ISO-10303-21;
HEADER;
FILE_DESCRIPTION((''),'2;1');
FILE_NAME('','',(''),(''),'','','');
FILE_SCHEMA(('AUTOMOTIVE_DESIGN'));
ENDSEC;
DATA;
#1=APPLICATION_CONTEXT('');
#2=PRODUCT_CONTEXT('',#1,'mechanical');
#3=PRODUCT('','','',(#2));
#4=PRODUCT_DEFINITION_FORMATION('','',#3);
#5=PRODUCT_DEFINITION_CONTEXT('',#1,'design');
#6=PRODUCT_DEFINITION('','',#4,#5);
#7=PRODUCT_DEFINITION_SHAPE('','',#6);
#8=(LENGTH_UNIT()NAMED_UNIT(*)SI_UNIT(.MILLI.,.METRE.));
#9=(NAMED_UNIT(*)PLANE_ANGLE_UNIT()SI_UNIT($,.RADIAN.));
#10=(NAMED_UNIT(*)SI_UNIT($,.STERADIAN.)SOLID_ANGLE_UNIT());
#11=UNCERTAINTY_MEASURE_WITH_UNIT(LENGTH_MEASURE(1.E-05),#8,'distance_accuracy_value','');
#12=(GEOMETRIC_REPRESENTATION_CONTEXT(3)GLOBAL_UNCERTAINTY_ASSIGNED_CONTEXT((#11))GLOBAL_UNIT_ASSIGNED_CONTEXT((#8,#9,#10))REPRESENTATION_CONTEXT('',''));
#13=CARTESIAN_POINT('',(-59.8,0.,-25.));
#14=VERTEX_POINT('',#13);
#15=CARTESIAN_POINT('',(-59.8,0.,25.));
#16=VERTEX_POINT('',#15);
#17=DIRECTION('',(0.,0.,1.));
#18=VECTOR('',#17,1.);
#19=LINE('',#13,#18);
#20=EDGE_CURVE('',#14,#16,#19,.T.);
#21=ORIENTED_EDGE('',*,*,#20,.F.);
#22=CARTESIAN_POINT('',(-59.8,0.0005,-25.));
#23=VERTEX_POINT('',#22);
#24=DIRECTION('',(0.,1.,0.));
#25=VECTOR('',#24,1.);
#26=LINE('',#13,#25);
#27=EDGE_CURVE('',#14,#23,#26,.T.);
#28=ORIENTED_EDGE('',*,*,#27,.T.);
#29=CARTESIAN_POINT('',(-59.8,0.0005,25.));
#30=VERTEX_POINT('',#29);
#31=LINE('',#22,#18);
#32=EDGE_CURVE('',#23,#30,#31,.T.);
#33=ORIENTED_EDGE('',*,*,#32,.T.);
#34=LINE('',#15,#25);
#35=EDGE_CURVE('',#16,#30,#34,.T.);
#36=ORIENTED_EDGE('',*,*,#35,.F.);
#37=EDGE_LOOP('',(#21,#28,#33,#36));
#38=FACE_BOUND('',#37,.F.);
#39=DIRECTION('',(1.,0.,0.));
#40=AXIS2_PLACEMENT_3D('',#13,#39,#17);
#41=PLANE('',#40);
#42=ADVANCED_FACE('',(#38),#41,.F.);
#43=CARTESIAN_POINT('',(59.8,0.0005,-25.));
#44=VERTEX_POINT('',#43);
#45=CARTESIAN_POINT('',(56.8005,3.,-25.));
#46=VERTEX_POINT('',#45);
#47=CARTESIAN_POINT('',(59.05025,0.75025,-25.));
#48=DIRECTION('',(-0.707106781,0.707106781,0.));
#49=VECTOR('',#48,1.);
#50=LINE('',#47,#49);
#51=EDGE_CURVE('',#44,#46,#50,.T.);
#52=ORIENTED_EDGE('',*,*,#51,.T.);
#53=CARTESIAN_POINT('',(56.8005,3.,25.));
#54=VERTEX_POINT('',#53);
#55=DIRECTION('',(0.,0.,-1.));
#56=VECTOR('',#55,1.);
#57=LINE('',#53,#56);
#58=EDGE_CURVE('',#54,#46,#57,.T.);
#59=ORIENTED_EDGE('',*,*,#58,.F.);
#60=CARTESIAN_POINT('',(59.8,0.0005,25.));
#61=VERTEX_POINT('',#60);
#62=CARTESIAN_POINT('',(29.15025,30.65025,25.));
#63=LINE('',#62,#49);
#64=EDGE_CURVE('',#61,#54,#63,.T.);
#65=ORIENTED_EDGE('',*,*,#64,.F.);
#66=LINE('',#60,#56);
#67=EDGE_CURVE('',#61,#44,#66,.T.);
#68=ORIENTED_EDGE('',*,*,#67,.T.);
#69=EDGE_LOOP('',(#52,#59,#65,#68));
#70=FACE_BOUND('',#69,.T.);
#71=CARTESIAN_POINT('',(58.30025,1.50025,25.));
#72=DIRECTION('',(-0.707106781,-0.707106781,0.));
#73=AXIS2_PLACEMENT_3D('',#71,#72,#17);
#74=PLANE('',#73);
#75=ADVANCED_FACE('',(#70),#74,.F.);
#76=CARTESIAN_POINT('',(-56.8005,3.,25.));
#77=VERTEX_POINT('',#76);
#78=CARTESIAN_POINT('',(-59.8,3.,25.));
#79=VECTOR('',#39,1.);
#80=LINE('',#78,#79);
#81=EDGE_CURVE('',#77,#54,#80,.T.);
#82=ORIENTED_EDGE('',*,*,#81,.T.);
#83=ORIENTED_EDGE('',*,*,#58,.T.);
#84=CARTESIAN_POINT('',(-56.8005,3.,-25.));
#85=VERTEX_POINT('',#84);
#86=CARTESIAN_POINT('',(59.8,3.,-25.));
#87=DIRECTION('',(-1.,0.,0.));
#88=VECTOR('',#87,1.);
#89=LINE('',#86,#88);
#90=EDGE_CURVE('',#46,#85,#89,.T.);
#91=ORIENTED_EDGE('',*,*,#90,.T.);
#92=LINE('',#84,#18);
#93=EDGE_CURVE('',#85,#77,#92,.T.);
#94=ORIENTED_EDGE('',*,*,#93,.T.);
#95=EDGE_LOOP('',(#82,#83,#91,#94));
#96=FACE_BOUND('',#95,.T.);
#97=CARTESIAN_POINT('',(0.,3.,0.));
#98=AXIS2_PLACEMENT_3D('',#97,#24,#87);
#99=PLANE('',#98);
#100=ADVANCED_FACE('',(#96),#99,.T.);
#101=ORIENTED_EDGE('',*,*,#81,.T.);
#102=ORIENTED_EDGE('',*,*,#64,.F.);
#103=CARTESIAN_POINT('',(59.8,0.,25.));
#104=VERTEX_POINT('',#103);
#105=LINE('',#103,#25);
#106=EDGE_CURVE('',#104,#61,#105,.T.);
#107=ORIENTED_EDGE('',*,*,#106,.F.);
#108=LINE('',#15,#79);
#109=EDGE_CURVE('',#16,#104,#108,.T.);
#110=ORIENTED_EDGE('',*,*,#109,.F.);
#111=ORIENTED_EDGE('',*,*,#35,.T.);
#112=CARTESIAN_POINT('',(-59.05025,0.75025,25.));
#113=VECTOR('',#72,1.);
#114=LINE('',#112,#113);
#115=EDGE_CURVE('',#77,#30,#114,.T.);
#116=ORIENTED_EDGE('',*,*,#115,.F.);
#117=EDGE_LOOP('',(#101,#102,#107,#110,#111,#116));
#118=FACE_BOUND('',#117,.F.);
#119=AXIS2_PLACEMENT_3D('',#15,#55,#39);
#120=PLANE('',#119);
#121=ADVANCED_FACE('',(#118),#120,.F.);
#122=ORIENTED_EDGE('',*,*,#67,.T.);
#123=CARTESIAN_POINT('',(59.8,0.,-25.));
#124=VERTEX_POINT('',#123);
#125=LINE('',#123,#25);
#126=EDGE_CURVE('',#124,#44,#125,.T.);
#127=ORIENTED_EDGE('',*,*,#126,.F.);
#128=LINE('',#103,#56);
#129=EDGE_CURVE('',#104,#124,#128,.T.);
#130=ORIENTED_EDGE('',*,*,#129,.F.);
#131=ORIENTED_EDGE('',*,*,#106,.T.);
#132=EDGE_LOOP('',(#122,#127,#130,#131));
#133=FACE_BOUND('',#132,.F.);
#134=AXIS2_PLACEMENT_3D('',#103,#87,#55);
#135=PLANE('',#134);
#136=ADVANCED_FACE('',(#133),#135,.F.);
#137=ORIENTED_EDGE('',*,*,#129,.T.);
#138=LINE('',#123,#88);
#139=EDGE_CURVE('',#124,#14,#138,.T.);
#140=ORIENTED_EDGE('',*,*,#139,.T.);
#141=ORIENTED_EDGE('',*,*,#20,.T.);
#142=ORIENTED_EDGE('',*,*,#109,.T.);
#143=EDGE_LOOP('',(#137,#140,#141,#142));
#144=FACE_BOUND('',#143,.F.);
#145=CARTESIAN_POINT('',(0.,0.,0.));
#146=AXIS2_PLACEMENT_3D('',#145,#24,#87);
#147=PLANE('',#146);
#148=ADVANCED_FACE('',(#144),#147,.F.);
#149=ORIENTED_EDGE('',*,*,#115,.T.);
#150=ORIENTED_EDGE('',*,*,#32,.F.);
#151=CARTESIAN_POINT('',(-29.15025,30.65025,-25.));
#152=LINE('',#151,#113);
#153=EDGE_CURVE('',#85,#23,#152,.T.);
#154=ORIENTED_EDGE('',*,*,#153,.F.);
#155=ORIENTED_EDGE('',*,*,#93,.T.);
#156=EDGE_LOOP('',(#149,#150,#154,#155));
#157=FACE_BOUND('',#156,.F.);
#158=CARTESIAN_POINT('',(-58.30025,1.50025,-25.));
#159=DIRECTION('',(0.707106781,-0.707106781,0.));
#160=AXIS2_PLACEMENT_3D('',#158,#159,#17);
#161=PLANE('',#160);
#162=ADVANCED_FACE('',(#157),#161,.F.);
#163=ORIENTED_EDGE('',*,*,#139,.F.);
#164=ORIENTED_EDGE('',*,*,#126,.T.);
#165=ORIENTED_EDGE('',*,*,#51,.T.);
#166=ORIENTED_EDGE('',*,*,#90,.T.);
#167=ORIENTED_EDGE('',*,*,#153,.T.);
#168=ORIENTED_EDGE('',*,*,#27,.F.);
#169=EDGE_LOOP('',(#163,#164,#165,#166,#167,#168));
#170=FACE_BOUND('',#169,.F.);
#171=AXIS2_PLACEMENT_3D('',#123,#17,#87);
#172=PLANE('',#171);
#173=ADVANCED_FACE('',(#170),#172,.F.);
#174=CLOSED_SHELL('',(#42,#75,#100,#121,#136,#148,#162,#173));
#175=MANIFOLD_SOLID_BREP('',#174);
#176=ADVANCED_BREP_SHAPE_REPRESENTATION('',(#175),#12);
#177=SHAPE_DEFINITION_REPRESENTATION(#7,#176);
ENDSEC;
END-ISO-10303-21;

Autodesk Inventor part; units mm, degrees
ref_plane "YZ Plane" through (0, 0, 0) normal (1, 0, 0) x (0, 1, 0)
ref_plane "XZ Plane" through (0, 0, 0) normal (0, 1, 0) x (-1, 0, 0)
ref_plane "XY Plane" through (0, 0, 0) normal (0, 0, 1) x (1, 0, 0)
sketch "Sketch1" plane through (0, 0, 0) normal (0, 1, 0) x (-1, 0, 0)
  line L0 (59.8, 25) -> (-59.8, 25)
  line L1 (-59.8, 25) -> (-59.8, -25)
  line L2 (-59.8, -25) -> (59.8, -25)
  line L3 (59.8, -25) -> (59.8, 25)
  line L4 (59.8, 25) -> (-59.8, -25) construction
  line L5 (-59.8, 25) -> (59.8, -25) construction
  point P0 (0, 0)
  dimension "d0" = 119.6
  dimension "d1" = 50
extrude "Extrusion1" add sketch "Sketch1" along normal blind 3
chamfer "Chamfer1" distance 3 angle 45 1 edges at (59.8, 3, 0) measured on face at (59.8, 1, 8.3333)
chamfer "Chamfer2" distance 3 angle 45 1 edges at (-59.8, 3, 0) measured on face at (-59.8, 2, -8.3333)
properties part number "Right Wall"
